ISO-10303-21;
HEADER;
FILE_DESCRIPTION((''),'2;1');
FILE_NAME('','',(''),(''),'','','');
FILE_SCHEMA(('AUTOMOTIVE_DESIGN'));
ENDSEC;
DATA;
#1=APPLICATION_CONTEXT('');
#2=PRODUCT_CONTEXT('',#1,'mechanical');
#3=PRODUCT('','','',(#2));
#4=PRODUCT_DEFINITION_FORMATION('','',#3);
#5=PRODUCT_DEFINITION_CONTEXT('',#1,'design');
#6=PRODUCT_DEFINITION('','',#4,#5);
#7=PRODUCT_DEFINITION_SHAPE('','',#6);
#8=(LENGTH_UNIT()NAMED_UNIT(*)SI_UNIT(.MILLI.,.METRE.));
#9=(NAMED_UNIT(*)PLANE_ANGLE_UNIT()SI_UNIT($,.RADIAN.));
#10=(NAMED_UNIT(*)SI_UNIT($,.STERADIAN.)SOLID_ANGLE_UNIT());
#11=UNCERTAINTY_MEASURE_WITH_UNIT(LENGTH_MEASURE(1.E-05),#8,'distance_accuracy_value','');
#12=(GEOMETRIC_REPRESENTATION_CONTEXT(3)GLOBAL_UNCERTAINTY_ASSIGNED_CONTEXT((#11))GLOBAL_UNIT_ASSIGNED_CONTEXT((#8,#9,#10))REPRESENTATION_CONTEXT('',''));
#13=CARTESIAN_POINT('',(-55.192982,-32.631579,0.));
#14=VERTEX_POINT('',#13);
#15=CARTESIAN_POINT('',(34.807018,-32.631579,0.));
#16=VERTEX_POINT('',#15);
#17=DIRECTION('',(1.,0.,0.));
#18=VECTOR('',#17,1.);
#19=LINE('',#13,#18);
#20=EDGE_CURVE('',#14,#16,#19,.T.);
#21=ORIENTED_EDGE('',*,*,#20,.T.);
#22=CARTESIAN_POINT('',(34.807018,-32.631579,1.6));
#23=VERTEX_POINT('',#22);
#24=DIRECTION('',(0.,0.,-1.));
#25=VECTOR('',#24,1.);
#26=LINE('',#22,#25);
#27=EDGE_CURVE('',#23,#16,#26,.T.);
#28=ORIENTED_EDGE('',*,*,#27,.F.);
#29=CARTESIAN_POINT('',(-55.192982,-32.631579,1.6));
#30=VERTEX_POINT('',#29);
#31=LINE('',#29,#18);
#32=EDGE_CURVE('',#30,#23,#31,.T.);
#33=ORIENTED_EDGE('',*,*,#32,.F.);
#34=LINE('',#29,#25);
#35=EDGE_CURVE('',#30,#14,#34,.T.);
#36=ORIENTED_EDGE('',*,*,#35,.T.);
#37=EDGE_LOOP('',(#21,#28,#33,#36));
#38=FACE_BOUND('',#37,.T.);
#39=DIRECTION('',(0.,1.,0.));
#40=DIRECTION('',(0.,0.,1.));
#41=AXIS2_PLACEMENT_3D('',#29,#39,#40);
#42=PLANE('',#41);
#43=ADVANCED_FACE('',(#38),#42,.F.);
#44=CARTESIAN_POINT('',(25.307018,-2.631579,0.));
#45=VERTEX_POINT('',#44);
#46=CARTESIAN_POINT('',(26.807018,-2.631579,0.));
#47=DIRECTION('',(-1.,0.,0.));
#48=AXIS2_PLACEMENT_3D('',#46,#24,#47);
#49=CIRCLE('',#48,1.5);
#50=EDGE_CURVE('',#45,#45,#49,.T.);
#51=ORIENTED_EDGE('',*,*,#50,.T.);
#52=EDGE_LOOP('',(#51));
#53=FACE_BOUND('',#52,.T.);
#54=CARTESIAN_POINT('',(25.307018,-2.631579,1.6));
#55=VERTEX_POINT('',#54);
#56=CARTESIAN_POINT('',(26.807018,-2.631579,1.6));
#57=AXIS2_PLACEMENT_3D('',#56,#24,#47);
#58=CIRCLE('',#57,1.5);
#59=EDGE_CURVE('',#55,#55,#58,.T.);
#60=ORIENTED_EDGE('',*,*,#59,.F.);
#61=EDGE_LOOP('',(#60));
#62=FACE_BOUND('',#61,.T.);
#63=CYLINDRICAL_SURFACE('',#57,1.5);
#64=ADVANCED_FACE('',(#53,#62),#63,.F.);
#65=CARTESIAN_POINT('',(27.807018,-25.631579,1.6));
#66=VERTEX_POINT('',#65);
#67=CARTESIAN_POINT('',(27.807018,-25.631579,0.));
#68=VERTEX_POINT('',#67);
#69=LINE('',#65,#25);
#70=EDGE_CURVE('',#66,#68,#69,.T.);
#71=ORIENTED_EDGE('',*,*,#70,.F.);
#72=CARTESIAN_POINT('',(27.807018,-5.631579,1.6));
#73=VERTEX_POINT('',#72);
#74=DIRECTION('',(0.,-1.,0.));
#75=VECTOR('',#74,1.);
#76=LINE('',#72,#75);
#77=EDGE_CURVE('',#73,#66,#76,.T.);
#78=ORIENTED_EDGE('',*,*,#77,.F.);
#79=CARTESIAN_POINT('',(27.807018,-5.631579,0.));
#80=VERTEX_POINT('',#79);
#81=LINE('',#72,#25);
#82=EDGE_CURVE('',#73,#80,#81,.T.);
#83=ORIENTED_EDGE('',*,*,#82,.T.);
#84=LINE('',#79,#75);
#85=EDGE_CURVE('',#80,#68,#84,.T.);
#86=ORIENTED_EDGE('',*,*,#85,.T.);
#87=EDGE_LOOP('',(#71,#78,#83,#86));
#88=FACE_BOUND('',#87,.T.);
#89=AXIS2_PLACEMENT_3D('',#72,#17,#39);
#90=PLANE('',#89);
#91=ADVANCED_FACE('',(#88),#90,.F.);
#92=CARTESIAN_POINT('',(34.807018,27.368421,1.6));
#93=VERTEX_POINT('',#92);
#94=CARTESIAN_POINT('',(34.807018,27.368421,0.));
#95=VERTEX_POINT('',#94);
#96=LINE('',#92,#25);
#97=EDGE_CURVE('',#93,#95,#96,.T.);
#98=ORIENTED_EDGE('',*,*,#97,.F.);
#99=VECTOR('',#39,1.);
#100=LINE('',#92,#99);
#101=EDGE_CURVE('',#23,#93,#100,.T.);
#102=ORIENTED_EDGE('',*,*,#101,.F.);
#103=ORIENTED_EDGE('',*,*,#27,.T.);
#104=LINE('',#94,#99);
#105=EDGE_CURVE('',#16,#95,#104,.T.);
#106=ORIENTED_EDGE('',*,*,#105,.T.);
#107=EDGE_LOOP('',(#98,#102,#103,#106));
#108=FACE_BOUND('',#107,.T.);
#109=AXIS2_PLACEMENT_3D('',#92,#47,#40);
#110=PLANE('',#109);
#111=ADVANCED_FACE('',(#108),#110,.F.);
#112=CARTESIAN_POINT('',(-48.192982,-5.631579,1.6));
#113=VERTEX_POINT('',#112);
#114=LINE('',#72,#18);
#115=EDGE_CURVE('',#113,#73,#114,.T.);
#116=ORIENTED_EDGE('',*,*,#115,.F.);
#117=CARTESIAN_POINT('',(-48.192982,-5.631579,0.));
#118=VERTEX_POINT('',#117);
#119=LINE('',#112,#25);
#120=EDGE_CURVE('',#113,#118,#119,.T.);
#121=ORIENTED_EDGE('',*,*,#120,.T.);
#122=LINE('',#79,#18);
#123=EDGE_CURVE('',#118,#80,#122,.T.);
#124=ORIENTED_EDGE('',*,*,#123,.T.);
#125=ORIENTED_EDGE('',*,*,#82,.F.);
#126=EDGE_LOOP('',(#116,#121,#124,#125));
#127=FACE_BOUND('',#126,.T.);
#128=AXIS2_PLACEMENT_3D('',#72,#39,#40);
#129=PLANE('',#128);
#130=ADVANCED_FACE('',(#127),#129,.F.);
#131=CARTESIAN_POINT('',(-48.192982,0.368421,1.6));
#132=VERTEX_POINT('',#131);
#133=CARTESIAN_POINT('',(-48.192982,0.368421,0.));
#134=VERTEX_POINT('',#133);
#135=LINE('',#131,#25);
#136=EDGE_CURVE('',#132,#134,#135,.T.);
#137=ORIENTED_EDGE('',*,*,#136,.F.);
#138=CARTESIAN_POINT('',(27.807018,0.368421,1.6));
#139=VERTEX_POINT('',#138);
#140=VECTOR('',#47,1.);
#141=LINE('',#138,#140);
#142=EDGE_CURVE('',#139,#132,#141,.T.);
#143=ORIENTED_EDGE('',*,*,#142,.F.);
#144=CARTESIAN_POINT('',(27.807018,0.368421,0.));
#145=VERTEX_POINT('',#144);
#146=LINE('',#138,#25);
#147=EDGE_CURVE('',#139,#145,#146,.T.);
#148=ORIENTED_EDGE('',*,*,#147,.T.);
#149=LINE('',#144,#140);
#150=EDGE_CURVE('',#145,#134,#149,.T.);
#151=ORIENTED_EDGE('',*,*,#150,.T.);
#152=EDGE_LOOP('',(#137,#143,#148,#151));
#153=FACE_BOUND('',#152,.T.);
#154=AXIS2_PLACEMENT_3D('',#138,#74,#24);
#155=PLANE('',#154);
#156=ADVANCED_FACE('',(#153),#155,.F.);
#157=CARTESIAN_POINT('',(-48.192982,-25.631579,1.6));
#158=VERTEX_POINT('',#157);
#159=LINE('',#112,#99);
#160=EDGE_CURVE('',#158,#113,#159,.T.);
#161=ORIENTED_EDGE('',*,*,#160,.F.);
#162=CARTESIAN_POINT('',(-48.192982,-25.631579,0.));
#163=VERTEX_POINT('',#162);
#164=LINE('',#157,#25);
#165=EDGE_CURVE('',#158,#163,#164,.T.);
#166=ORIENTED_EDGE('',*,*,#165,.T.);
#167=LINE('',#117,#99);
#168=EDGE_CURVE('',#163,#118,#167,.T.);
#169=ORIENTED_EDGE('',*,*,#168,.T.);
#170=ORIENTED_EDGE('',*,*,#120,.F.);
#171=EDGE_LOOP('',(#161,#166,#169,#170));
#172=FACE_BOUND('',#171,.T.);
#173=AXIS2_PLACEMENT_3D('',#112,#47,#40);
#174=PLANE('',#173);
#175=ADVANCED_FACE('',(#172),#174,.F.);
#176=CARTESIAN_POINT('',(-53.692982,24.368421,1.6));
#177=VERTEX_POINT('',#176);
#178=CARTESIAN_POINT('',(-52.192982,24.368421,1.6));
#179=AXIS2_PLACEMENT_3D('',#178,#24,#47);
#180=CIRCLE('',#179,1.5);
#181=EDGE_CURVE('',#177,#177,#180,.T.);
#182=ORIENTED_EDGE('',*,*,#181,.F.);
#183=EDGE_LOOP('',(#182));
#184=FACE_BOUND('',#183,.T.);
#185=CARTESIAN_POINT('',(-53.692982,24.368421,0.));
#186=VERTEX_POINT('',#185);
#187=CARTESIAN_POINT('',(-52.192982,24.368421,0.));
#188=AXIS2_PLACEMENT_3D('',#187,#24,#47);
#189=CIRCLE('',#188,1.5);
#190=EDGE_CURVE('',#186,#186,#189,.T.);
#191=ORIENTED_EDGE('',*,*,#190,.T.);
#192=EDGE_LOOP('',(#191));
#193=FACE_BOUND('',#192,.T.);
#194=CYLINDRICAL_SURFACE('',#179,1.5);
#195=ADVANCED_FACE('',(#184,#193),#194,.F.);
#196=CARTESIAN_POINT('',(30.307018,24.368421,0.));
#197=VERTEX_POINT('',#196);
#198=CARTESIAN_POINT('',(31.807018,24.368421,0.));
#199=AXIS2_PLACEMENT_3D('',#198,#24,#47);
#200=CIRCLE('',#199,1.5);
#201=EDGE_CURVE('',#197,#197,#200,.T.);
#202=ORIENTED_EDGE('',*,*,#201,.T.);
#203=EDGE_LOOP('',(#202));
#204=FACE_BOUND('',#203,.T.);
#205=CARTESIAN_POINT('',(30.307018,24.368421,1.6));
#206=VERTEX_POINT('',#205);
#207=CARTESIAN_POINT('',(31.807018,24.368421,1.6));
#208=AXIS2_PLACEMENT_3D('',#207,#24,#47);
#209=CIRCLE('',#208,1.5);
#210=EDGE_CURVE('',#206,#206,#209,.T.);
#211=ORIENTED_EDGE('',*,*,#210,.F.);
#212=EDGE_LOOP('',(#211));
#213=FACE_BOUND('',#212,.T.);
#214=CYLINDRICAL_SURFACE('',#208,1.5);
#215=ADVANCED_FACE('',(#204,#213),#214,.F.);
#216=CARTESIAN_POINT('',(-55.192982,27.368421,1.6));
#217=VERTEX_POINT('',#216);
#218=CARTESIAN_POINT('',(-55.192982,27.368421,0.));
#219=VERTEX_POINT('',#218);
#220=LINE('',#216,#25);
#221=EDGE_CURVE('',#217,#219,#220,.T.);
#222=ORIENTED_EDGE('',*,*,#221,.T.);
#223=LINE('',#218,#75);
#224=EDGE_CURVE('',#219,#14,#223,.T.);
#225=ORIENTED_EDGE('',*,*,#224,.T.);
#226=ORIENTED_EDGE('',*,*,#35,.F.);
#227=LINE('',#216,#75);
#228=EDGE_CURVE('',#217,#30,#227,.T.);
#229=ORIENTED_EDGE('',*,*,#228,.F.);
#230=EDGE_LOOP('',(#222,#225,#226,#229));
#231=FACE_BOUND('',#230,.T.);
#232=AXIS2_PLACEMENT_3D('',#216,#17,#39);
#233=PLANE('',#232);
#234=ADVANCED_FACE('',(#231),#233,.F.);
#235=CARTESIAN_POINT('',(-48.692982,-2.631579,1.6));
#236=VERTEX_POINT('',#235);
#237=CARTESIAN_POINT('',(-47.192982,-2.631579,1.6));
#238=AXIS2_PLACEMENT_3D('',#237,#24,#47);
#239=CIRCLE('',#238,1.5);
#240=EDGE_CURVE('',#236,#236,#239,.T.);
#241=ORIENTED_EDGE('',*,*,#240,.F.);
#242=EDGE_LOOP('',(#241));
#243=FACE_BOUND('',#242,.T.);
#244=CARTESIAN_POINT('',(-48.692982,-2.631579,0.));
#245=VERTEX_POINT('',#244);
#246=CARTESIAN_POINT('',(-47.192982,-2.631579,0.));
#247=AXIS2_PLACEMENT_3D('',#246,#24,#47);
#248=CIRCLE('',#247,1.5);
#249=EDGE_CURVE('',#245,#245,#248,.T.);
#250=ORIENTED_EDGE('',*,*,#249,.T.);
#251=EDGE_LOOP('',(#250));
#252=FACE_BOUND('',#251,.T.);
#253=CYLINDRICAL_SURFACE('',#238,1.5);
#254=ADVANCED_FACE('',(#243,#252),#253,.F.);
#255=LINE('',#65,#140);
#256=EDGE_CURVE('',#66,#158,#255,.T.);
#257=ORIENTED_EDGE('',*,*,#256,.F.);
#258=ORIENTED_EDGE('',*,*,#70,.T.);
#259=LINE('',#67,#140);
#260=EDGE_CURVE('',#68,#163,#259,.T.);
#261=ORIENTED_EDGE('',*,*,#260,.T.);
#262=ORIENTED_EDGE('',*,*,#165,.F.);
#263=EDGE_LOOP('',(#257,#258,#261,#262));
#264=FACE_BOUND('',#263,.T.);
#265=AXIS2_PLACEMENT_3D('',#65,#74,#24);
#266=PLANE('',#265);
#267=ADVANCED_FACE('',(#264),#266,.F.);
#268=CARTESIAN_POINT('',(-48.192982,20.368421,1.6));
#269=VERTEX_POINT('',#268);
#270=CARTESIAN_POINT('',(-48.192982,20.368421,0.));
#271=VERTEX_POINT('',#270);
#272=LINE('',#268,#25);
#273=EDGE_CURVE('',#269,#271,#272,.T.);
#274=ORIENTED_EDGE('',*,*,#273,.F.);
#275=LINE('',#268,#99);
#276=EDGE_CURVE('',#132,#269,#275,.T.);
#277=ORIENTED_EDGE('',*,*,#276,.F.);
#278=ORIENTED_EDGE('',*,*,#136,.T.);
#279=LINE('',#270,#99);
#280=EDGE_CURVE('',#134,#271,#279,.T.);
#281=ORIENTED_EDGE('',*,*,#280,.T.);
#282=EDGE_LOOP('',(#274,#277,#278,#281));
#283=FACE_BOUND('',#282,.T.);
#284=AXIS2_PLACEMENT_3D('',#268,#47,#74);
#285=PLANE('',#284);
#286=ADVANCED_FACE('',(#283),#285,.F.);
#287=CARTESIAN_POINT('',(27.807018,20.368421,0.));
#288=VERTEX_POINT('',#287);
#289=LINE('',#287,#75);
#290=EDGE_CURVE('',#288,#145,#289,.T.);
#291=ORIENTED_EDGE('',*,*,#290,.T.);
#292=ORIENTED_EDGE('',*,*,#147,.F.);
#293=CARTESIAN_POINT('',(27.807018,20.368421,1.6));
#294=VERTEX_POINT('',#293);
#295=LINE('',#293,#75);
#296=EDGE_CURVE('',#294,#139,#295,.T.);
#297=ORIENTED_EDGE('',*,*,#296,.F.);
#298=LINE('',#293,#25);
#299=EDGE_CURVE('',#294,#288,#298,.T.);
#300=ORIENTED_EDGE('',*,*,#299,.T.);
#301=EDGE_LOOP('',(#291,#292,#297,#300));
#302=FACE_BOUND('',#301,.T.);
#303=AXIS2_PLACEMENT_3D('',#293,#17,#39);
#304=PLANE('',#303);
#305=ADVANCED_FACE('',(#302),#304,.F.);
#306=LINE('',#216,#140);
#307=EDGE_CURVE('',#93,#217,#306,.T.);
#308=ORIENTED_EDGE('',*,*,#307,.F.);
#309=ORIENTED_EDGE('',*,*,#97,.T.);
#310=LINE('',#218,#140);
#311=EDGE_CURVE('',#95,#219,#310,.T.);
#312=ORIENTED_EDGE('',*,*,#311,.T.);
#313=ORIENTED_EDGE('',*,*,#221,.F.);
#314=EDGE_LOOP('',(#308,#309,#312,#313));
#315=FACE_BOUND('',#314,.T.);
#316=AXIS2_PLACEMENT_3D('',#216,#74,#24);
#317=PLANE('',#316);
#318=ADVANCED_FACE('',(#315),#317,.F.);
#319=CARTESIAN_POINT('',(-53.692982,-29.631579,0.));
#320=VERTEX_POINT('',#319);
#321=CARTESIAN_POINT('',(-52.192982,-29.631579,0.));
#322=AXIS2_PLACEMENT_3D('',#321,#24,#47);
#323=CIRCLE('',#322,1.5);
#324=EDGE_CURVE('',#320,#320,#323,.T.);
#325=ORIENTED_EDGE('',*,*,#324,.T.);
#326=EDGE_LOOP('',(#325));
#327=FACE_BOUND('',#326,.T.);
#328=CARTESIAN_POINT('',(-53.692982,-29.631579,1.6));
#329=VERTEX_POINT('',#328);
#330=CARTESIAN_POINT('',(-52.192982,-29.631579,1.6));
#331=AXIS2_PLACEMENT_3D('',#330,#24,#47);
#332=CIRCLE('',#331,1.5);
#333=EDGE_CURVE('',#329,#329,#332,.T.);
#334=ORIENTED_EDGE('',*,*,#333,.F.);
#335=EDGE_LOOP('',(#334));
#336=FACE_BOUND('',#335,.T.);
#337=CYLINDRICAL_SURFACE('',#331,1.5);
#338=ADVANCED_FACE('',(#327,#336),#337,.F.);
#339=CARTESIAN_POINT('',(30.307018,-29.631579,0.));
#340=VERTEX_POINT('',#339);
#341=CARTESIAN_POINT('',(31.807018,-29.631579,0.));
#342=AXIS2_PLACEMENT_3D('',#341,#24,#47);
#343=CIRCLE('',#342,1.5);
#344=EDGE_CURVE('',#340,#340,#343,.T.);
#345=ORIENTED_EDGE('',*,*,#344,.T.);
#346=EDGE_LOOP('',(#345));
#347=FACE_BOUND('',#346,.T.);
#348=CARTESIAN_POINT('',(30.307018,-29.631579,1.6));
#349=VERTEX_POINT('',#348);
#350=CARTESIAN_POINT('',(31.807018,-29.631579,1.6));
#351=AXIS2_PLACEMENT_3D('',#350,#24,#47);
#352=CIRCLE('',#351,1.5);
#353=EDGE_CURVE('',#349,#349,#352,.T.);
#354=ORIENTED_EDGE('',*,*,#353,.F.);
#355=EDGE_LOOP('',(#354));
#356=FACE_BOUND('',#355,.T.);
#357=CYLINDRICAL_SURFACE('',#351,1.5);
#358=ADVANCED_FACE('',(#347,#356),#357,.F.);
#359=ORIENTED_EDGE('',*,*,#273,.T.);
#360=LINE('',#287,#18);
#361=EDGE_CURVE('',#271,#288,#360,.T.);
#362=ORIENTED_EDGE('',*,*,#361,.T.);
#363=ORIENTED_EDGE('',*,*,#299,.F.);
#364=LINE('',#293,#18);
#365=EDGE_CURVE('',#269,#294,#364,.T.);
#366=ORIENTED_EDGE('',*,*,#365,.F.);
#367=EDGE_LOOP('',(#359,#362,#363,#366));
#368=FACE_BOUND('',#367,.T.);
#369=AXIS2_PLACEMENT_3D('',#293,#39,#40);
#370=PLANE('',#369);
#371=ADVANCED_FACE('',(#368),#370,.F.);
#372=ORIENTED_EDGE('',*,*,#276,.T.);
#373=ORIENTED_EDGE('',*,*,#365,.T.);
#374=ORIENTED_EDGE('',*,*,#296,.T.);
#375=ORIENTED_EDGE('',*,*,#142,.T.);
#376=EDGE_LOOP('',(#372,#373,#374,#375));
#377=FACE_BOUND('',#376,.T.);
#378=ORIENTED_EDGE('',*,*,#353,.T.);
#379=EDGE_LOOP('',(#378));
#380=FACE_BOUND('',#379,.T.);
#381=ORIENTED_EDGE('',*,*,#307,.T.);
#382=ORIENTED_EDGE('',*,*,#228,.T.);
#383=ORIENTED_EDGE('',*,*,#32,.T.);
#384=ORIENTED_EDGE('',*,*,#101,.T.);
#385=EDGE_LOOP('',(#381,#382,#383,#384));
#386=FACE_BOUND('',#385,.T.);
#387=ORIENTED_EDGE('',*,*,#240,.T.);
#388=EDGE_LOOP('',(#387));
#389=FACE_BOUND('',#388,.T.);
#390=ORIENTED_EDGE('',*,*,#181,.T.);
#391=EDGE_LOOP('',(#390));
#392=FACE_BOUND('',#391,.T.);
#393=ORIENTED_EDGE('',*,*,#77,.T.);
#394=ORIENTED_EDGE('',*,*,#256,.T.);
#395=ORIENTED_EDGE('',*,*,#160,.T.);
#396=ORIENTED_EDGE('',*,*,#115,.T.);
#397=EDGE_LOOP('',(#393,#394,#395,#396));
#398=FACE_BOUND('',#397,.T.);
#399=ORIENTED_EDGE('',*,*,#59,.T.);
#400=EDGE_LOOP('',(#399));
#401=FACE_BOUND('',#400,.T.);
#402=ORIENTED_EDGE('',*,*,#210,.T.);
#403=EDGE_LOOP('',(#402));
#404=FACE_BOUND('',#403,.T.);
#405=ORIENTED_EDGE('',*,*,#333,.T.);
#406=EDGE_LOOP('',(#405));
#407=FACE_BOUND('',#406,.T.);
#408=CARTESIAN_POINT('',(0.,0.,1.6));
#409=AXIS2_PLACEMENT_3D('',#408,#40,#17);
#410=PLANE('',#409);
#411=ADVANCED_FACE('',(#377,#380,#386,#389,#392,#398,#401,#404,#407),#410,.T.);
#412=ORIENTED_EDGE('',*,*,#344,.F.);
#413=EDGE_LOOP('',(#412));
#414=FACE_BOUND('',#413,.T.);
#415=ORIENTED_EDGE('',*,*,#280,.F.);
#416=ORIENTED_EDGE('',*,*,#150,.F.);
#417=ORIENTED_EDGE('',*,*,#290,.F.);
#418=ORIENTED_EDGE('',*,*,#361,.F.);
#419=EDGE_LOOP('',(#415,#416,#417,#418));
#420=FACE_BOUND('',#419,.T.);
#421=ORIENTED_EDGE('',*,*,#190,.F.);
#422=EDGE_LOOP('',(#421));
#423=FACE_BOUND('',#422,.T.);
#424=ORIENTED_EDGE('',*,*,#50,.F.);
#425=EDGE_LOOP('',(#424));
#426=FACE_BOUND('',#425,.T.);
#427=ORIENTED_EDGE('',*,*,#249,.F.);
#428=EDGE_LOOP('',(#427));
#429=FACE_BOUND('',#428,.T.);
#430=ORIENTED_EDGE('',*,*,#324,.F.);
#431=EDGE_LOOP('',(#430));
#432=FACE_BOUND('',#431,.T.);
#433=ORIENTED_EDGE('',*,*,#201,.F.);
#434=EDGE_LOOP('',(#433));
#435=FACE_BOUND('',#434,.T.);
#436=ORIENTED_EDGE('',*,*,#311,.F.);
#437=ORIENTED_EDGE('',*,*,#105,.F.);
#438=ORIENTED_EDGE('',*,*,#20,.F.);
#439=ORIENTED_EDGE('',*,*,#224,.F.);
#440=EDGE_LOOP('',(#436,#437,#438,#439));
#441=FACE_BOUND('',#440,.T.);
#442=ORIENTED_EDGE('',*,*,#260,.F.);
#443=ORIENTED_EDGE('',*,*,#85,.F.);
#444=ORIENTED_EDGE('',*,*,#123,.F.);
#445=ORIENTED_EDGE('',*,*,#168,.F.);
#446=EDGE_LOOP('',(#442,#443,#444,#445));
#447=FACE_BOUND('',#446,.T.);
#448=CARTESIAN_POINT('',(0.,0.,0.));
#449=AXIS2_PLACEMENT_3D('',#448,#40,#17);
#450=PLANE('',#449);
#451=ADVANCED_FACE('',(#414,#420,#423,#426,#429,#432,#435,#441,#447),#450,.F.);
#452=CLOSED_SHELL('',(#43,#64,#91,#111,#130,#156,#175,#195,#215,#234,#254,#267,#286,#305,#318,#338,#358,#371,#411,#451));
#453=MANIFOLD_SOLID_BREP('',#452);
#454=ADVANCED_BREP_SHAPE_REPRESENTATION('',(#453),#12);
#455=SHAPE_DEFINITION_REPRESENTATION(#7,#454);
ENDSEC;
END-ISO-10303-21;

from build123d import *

# Parameters (mm, degrees)
SKETCH_2_W          = 90
SKETCH_2_H          = 60
EXTRUDE_1_DEPTH     = 1.6
SKETCH_3_R          = 1.5
SKETCH_3_W          = 76
SKETCH_3_H          = 20
CUT_EXTRUDE_1_DEPTH = 2.6


with BuildPart() as part:
    # ｽｹｯﾁ2 → ﾎﾞｽ - 押し出し1 (new body)
    with BuildSketch(Plane.XY):
        with Locations((-10.192982456, -2.631578947)):
            Rectangle(SKETCH_2_W, SKETCH_2_H)
    extrude(amount=EXTRUDE_1_DEPTH)

    # ｽｹｯﾁ3 → ｶｯﾄ - 押し出し1 (cut, through all)
    with BuildSketch(Plane(origin=(0, 0, 0), x_dir=(-1, 0, 0), z_dir=(0, 0, -1))):
        with Locations((47.192982456, -2.631578947)):
            Circle(SKETCH_3_R)
        with Locations((-26.807017544, -2.631578947)):
            Circle(SKETCH_3_R)
        with Locations((52.192982456, 24.368421053)):
            Circle(SKETCH_3_R)
        with Locations((-31.807017544, 24.368421053)):
            Circle(SKETCH_3_R)
        with Locations((-31.807017544, -29.631578947)):
            Circle(SKETCH_3_R)
        with Locations((52.192982456, -29.631578947)):
            Circle(SKETCH_3_R)
        with Locations((10.192982456, 10.368421053)):
            Rectangle(SKETCH_3_W, SKETCH_3_H)
        with Locations((10.192982456, -15.631578947)):
            Rectangle(SKETCH_3_W, SKETCH_3_H)
    extrude(amount=-CUT_EXTRUDE_1_DEPTH, mode=Mode.SUBTRACT)


solid = part.part
